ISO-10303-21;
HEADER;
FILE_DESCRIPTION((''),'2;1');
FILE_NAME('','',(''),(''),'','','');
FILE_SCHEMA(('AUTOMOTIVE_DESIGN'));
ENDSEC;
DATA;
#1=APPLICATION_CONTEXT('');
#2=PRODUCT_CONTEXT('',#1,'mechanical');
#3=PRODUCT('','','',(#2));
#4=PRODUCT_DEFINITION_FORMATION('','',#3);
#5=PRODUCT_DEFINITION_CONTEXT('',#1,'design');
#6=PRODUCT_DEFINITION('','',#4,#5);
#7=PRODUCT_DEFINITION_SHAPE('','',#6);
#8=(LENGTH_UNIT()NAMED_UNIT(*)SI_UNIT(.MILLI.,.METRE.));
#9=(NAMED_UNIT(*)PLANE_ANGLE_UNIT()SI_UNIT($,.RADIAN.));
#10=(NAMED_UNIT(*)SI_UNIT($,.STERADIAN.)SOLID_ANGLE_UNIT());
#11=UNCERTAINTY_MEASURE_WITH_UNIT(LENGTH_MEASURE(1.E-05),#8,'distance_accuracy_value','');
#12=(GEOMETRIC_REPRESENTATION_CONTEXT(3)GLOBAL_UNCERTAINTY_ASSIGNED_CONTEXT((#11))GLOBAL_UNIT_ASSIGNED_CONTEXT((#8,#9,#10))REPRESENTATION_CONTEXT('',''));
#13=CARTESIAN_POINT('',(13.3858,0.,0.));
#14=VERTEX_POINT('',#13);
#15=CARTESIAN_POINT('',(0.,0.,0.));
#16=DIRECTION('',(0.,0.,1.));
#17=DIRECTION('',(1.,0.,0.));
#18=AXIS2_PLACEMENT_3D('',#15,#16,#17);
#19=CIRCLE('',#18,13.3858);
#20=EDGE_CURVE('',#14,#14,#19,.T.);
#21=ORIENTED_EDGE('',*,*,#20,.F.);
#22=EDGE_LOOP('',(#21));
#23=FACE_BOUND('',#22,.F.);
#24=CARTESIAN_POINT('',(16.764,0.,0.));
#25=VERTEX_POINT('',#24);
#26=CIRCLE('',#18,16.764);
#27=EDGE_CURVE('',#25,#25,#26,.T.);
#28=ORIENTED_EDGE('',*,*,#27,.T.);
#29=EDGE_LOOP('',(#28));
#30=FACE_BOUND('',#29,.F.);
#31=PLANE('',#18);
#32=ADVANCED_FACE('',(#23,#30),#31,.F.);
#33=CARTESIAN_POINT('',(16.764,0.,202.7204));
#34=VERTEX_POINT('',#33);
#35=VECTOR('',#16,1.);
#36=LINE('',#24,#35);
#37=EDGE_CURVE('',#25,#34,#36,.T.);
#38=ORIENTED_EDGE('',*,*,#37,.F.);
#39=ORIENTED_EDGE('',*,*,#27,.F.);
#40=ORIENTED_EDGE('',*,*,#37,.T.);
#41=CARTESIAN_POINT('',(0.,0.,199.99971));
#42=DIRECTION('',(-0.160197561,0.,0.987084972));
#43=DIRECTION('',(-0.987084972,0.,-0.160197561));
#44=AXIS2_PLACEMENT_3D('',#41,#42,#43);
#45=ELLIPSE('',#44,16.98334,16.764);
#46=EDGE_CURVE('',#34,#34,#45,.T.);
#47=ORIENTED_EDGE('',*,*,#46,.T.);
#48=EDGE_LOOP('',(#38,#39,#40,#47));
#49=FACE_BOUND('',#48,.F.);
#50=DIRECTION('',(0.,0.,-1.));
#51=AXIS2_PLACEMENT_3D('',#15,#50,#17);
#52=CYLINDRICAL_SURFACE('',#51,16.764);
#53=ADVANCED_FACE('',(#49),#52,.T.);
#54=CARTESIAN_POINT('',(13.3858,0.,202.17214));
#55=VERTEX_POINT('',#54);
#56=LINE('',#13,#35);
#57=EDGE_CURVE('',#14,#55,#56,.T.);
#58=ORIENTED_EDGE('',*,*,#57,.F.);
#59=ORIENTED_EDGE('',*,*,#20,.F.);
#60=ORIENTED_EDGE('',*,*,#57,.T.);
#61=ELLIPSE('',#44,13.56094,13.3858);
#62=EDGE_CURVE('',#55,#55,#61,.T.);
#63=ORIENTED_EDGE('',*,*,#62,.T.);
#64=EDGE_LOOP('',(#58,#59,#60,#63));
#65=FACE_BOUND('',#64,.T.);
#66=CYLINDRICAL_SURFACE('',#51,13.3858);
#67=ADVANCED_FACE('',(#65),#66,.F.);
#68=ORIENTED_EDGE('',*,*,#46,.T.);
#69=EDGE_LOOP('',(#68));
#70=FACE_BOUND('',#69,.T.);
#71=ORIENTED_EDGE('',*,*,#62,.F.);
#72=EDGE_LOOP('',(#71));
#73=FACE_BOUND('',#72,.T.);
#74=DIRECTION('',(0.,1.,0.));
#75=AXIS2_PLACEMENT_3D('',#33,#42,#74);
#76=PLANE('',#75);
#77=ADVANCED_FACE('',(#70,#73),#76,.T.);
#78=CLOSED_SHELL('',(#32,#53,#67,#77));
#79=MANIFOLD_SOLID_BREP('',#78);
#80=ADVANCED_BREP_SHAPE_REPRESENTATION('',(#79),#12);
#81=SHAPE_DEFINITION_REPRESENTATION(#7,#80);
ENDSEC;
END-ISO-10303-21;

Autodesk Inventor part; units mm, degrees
ref_plane "Start plane" through (0, 0, 0) normal (0, 0, 1) x (1, 0, 0)
ref_plane "End plane" through (0, 0, 202.7204) normal (0, 0, 1) x (1, 0, 0)
sketch "Sketch" plane through (0, 0, 0) normal (0, 0, 1) x (1, 0, 0)
  circle A0 centre (0, 0) radius 13.3858
  circle A1 centre (0, 0) radius 16.764
  dimension "d0" = 33.528
  dimension "d1" = 3.3782
extrude "Body" add sketch "Sketch" along normal up to surface (202.7204 mm away) from surface at 0
sketch "Sketch3" plane through (0, 0, 0) normal (0, 0, 1) x (1, 0, 0)
  line L0 (0, 0) -> (10, 0)
ref_plane "Work Plane3" through (0, 0, 0) normal (0, -1, 0) x (1, 0, 0)
ref_plane "Work Plane4" through (16.764, 0, 202.7204) normal (-0.1602, 0, 0.9871) x (0.9871, 0, 0.1602)
split "Split1" plane through (16.764, 0, 202.7204) removes the side toward (-0.1602, 0, 0.9871)
sketch "Sketch4" plane through (0, 0, 0) normal (0, -1, 0) x (1, 0, 0)
  line L0 (-2, 0) -> (12, 0) projected
  line L1 (-2, 202.7204) -> (12, 202.7204) projected
  dimension "d7" = 202.7204
equation "\"d0\" = G_H"
equation "\"d1\" = G_T"
equation "\"d2\" = G_L"
equation "\"G_H\" = 33.528"
equation "\"G_T\" = 3.3782"
equation "\"G_L\" = d7"
equation "\"G_OFFSET_START\" = 0"
equation "\"G_OFFSET_END\" = 2.72042"
equation "\"d5\" = G_OFFSET_END + B_L"
equation "\"B_L\" = 200"
properties part number "ANSI - 1 x 0.133 - 7.981" material "Steel, Mild"
